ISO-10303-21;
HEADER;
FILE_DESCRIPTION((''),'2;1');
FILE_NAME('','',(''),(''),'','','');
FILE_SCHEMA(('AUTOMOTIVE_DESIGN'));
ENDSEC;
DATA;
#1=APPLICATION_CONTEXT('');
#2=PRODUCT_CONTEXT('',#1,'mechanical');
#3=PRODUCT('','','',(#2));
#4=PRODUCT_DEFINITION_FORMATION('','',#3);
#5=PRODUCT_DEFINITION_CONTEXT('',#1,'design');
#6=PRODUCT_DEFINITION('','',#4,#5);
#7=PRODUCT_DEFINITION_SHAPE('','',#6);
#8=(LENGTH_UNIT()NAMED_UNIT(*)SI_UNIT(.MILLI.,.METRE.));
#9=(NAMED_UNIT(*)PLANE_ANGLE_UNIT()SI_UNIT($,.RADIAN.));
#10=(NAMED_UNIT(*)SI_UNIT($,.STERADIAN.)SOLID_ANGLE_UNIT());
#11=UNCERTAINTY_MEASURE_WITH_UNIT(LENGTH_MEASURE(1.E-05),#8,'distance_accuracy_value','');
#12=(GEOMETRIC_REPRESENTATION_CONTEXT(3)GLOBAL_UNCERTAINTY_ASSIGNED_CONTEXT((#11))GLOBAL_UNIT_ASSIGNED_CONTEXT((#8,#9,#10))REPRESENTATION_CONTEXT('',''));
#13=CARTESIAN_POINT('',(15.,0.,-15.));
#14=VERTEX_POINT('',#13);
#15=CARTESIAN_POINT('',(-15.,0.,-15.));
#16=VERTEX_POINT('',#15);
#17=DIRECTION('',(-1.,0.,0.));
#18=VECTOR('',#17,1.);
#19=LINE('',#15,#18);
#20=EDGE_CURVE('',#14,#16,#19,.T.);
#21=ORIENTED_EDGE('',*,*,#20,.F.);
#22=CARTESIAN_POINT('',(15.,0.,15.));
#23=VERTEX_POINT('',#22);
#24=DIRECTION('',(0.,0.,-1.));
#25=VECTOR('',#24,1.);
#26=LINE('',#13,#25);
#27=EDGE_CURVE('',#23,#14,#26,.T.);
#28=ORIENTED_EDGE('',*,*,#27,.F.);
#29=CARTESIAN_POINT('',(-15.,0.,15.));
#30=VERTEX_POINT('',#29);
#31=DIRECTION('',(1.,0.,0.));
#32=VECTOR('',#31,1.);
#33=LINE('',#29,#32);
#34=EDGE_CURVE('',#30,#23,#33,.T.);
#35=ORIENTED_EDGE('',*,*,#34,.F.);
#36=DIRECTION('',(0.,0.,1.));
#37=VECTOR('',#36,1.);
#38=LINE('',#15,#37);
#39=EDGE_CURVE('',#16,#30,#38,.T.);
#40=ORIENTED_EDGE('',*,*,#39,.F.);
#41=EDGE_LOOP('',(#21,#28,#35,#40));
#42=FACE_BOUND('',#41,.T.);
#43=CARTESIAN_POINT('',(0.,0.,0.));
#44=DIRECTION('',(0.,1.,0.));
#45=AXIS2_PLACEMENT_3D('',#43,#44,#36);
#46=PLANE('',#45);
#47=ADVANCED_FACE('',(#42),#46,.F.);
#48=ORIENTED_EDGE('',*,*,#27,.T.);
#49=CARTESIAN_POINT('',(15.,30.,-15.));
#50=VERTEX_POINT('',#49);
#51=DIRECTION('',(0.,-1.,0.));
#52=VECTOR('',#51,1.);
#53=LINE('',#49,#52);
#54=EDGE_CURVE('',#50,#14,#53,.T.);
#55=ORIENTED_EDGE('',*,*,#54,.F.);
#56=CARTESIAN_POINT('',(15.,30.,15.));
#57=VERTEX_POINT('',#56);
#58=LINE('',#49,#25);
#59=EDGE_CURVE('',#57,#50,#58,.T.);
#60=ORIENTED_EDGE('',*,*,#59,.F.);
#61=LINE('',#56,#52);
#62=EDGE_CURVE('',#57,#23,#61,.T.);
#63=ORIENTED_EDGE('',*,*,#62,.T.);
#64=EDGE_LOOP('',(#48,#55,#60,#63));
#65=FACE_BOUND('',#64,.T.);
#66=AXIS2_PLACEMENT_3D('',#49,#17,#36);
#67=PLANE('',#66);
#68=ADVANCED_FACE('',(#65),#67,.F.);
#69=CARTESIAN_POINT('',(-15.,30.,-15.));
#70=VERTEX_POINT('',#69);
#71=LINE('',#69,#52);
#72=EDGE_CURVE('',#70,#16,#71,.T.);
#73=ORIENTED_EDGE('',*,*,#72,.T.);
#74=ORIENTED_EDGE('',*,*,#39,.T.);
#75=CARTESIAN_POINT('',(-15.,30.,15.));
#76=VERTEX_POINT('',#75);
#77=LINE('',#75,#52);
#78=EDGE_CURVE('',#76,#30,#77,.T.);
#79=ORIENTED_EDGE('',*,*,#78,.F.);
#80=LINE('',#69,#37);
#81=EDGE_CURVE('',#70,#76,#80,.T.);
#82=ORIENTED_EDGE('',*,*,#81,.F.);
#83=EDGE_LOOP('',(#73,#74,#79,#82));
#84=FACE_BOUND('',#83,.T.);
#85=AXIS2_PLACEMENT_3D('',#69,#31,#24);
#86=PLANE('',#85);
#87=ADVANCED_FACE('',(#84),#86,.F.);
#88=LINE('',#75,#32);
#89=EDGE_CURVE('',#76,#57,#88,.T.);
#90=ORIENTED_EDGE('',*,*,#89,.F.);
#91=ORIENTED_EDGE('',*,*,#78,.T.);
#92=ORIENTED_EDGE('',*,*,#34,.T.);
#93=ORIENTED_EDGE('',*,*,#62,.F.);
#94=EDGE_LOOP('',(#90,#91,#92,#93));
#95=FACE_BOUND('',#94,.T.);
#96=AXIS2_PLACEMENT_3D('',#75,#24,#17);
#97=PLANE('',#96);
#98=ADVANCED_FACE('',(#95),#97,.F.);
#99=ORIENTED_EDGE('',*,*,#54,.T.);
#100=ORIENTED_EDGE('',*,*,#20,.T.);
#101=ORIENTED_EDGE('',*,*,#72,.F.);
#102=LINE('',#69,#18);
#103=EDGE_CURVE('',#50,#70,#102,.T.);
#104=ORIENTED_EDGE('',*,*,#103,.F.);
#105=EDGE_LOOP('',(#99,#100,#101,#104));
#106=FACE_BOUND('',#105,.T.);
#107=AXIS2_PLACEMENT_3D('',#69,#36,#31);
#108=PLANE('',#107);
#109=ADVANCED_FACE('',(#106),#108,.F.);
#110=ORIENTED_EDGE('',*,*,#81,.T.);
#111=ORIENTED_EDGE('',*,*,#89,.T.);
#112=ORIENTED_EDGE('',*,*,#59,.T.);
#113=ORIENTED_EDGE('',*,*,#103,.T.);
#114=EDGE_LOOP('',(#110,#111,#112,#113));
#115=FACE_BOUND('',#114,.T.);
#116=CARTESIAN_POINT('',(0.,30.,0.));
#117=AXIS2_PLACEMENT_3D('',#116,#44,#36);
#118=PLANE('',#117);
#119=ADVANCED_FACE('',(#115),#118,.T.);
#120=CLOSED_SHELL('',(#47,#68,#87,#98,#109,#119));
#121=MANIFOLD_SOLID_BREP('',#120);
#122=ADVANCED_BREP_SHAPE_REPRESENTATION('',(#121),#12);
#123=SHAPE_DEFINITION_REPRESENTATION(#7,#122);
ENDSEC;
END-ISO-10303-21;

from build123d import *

# Parameters (mm, degrees)
CROQUIS1_W              = 30
CROQUIS1_H              = 30
SALIENTE_EXTRUIR1_DEPTH = 30


with BuildPart() as part:
    # Croquis1 → Saliente-Extruir1 (new body)
    with BuildSketch(Plane(origin=(0, 0, 0), x_dir=(1, 0, 0), z_dir=(0, 1, 0))):
        Rectangle(CROQUIS1_W, CROQUIS1_H)
    extrude(amount=SALIENTE_EXTRUIR1_DEPTH)


solid = part.part
